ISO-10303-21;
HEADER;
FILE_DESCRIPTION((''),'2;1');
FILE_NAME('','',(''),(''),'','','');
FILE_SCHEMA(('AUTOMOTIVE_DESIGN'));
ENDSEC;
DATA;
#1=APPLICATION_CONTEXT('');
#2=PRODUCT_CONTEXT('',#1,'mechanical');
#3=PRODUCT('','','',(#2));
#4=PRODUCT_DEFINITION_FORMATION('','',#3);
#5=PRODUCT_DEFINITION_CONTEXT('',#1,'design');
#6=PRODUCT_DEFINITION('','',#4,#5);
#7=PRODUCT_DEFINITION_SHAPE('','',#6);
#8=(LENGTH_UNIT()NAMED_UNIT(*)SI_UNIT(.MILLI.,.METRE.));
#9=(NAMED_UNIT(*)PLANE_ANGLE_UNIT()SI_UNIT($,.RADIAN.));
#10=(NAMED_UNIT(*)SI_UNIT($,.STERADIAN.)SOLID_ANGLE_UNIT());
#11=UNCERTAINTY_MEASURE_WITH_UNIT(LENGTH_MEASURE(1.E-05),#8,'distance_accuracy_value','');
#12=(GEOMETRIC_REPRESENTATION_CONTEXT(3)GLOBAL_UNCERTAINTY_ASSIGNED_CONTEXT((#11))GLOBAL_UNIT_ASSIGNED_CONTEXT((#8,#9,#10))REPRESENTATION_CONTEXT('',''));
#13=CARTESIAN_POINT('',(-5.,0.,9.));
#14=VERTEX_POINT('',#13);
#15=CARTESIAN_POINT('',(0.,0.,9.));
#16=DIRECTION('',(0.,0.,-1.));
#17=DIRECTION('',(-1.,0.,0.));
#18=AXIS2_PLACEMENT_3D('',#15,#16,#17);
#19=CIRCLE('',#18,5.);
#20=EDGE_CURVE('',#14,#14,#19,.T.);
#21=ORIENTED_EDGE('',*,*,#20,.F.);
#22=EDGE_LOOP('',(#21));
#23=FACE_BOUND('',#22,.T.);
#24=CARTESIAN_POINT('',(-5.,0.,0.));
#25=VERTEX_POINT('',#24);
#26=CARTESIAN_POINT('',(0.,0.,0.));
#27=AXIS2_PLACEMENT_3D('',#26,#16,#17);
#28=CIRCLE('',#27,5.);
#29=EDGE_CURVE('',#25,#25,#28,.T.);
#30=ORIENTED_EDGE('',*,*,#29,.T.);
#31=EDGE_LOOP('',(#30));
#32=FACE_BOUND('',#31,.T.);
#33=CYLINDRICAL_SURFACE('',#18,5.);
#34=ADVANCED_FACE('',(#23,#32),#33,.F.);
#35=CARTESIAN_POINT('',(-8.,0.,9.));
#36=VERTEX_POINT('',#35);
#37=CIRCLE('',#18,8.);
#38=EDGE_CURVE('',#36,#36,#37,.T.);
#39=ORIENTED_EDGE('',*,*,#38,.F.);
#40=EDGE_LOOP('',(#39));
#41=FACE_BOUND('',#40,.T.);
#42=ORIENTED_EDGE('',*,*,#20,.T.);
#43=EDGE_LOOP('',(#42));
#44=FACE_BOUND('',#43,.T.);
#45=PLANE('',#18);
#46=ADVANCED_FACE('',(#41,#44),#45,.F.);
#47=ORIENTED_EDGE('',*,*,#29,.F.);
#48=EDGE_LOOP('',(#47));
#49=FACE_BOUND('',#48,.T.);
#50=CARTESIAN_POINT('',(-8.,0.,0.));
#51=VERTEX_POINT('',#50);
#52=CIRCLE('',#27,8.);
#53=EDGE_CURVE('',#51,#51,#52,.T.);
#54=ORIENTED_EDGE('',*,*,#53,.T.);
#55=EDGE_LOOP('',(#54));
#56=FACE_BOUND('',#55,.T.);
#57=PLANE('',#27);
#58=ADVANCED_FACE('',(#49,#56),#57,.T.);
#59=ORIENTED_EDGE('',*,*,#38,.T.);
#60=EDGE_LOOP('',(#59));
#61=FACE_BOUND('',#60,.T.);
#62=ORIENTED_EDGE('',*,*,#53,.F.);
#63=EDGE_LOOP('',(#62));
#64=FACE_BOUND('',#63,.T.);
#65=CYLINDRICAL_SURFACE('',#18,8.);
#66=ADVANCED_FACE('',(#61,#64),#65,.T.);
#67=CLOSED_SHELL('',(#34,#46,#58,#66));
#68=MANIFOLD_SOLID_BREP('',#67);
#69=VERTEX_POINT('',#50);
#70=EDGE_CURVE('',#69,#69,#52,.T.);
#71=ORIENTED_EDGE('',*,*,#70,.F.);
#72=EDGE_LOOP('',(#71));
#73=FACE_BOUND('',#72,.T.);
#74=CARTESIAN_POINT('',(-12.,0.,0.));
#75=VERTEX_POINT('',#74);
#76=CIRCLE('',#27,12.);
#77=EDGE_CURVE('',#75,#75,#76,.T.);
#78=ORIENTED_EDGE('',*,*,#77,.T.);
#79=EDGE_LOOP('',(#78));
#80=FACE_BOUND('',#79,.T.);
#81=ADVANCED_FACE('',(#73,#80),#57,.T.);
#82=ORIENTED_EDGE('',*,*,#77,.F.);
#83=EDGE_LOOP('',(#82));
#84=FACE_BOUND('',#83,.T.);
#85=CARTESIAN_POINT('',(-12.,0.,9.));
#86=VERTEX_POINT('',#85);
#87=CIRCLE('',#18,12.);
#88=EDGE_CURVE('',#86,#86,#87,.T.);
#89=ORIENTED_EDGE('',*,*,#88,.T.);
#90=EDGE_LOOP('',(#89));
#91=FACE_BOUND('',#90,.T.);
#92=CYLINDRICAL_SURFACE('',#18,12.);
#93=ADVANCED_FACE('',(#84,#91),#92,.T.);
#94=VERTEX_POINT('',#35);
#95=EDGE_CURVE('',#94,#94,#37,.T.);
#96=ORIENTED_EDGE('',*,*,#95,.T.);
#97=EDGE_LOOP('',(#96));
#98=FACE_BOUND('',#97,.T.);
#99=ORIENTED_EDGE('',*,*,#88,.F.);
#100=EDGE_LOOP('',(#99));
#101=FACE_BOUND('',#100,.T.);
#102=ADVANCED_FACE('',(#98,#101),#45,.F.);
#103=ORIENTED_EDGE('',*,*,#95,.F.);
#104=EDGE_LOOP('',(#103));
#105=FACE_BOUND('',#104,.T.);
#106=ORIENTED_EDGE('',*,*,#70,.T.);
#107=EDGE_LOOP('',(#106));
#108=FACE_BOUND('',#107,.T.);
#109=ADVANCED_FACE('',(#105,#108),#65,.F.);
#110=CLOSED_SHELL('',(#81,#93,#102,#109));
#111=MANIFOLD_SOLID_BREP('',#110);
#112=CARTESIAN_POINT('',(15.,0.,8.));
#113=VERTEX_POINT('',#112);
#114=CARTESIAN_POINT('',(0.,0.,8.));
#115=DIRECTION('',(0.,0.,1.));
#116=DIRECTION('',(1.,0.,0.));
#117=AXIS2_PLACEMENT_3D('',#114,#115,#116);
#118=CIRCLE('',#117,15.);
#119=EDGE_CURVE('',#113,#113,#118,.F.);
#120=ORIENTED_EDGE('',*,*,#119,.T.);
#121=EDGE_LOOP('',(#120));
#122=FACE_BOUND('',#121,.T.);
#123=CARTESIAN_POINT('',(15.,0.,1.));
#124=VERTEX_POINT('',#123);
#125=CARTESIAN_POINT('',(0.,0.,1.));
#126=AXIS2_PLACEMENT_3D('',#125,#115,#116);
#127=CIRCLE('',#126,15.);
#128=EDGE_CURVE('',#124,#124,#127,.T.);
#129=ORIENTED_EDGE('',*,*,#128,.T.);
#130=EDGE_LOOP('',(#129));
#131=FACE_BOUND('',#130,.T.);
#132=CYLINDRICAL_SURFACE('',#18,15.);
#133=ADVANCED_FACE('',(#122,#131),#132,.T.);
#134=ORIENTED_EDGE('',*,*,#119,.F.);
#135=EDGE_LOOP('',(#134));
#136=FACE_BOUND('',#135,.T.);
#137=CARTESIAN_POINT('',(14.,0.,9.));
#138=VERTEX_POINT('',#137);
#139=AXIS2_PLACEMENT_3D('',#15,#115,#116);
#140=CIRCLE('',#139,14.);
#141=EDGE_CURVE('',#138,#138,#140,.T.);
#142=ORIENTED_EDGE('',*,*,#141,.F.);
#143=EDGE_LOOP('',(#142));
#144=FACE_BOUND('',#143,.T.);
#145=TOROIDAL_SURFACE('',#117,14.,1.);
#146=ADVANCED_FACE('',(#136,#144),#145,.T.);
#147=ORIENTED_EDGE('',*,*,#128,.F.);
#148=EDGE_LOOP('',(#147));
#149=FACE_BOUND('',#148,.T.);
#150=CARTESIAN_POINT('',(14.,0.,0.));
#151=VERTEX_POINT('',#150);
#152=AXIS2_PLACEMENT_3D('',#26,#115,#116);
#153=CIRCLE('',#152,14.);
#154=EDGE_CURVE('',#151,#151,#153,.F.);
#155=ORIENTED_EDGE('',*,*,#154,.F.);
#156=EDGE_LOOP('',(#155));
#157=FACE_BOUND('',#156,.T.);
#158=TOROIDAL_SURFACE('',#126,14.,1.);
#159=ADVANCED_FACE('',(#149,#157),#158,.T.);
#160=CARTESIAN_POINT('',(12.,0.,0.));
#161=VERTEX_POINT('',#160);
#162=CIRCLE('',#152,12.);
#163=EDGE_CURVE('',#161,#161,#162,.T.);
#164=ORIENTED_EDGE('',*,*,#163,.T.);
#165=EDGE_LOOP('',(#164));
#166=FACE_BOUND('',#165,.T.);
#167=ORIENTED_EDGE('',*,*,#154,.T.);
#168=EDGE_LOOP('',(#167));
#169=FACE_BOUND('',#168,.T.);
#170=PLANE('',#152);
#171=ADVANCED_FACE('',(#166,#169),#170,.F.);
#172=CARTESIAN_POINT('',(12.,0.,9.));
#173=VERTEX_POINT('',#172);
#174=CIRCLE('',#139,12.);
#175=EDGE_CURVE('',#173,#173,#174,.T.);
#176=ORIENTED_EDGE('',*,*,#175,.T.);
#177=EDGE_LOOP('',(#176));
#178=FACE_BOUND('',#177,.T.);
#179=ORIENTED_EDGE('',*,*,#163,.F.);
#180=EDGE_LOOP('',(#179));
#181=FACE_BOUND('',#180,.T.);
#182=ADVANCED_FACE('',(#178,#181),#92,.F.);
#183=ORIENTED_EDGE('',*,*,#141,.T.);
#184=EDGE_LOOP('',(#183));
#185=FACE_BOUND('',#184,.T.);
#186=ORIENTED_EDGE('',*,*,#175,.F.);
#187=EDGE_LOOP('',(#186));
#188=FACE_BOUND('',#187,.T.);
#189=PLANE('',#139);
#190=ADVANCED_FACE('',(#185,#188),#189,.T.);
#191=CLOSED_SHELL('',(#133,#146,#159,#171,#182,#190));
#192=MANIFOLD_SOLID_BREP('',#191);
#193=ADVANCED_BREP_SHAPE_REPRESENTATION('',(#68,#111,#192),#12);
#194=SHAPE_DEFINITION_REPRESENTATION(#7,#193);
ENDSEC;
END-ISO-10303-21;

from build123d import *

# Parameters (mm, degrees)
SKETCH1_R           = 15
SKETCH1_R_2         = 12
BOSS_EXTRUDE1_DEPTH = 9
SKETCH2_R           = 8
SKETCH2_R_2         = 5
BOSS_EXTRUDE2_DEPTH = 9
SKETCH3_R           = 12
SKETCH3_R_2         = 8
BOSS_EXTRUDE3_DEPTH = 9
FILLET1_R           = 1


with BuildPart() as part:
    # Sketch1 → Boss-Extrude1 (new body)
    with BuildSketch(Plane.XY):
        Circle(SKETCH1_R)
        Circle(SKETCH1_R_2, mode=Mode.SUBTRACT)
    extrude(amount=BOSS_EXTRUDE1_DEPTH)

    # Fillet1
    fillet1_edges = [part.edges().sort_by_distance(p)[0] for p in [
        (-15, 0, 0),
        (-15, 0, 9),
    ]]
    fillet(fillet1_edges, radius=FILLET1_R)


with BuildPart() as body_2:
    # Sketch2 → Boss-Extrude2 (new body)
    with BuildSketch(Plane(origin=(0, 0, 0), x_dir=(-1, 0, 0), z_dir=(0, 0, -1))):
        Circle(SKETCH2_R)
        Circle(SKETCH2_R_2, mode=Mode.SUBTRACT)
    extrude(amount=-BOSS_EXTRUDE2_DEPTH)


with BuildPart() as body_3:
    # Sketch3 → Boss-Extrude3 (new body)
    with BuildSketch(Plane(origin=(0, 0, 0), x_dir=(-1, 0, 0), z_dir=(0, 0, -1))):
        Circle(SKETCH3_R)
        Circle(SKETCH3_R_2, mode=Mode.SUBTRACT)
    extrude(amount=-BOSS_EXTRUDE3_DEPTH)


solid = Compound([part.part, body_2.part, body_3.part])
